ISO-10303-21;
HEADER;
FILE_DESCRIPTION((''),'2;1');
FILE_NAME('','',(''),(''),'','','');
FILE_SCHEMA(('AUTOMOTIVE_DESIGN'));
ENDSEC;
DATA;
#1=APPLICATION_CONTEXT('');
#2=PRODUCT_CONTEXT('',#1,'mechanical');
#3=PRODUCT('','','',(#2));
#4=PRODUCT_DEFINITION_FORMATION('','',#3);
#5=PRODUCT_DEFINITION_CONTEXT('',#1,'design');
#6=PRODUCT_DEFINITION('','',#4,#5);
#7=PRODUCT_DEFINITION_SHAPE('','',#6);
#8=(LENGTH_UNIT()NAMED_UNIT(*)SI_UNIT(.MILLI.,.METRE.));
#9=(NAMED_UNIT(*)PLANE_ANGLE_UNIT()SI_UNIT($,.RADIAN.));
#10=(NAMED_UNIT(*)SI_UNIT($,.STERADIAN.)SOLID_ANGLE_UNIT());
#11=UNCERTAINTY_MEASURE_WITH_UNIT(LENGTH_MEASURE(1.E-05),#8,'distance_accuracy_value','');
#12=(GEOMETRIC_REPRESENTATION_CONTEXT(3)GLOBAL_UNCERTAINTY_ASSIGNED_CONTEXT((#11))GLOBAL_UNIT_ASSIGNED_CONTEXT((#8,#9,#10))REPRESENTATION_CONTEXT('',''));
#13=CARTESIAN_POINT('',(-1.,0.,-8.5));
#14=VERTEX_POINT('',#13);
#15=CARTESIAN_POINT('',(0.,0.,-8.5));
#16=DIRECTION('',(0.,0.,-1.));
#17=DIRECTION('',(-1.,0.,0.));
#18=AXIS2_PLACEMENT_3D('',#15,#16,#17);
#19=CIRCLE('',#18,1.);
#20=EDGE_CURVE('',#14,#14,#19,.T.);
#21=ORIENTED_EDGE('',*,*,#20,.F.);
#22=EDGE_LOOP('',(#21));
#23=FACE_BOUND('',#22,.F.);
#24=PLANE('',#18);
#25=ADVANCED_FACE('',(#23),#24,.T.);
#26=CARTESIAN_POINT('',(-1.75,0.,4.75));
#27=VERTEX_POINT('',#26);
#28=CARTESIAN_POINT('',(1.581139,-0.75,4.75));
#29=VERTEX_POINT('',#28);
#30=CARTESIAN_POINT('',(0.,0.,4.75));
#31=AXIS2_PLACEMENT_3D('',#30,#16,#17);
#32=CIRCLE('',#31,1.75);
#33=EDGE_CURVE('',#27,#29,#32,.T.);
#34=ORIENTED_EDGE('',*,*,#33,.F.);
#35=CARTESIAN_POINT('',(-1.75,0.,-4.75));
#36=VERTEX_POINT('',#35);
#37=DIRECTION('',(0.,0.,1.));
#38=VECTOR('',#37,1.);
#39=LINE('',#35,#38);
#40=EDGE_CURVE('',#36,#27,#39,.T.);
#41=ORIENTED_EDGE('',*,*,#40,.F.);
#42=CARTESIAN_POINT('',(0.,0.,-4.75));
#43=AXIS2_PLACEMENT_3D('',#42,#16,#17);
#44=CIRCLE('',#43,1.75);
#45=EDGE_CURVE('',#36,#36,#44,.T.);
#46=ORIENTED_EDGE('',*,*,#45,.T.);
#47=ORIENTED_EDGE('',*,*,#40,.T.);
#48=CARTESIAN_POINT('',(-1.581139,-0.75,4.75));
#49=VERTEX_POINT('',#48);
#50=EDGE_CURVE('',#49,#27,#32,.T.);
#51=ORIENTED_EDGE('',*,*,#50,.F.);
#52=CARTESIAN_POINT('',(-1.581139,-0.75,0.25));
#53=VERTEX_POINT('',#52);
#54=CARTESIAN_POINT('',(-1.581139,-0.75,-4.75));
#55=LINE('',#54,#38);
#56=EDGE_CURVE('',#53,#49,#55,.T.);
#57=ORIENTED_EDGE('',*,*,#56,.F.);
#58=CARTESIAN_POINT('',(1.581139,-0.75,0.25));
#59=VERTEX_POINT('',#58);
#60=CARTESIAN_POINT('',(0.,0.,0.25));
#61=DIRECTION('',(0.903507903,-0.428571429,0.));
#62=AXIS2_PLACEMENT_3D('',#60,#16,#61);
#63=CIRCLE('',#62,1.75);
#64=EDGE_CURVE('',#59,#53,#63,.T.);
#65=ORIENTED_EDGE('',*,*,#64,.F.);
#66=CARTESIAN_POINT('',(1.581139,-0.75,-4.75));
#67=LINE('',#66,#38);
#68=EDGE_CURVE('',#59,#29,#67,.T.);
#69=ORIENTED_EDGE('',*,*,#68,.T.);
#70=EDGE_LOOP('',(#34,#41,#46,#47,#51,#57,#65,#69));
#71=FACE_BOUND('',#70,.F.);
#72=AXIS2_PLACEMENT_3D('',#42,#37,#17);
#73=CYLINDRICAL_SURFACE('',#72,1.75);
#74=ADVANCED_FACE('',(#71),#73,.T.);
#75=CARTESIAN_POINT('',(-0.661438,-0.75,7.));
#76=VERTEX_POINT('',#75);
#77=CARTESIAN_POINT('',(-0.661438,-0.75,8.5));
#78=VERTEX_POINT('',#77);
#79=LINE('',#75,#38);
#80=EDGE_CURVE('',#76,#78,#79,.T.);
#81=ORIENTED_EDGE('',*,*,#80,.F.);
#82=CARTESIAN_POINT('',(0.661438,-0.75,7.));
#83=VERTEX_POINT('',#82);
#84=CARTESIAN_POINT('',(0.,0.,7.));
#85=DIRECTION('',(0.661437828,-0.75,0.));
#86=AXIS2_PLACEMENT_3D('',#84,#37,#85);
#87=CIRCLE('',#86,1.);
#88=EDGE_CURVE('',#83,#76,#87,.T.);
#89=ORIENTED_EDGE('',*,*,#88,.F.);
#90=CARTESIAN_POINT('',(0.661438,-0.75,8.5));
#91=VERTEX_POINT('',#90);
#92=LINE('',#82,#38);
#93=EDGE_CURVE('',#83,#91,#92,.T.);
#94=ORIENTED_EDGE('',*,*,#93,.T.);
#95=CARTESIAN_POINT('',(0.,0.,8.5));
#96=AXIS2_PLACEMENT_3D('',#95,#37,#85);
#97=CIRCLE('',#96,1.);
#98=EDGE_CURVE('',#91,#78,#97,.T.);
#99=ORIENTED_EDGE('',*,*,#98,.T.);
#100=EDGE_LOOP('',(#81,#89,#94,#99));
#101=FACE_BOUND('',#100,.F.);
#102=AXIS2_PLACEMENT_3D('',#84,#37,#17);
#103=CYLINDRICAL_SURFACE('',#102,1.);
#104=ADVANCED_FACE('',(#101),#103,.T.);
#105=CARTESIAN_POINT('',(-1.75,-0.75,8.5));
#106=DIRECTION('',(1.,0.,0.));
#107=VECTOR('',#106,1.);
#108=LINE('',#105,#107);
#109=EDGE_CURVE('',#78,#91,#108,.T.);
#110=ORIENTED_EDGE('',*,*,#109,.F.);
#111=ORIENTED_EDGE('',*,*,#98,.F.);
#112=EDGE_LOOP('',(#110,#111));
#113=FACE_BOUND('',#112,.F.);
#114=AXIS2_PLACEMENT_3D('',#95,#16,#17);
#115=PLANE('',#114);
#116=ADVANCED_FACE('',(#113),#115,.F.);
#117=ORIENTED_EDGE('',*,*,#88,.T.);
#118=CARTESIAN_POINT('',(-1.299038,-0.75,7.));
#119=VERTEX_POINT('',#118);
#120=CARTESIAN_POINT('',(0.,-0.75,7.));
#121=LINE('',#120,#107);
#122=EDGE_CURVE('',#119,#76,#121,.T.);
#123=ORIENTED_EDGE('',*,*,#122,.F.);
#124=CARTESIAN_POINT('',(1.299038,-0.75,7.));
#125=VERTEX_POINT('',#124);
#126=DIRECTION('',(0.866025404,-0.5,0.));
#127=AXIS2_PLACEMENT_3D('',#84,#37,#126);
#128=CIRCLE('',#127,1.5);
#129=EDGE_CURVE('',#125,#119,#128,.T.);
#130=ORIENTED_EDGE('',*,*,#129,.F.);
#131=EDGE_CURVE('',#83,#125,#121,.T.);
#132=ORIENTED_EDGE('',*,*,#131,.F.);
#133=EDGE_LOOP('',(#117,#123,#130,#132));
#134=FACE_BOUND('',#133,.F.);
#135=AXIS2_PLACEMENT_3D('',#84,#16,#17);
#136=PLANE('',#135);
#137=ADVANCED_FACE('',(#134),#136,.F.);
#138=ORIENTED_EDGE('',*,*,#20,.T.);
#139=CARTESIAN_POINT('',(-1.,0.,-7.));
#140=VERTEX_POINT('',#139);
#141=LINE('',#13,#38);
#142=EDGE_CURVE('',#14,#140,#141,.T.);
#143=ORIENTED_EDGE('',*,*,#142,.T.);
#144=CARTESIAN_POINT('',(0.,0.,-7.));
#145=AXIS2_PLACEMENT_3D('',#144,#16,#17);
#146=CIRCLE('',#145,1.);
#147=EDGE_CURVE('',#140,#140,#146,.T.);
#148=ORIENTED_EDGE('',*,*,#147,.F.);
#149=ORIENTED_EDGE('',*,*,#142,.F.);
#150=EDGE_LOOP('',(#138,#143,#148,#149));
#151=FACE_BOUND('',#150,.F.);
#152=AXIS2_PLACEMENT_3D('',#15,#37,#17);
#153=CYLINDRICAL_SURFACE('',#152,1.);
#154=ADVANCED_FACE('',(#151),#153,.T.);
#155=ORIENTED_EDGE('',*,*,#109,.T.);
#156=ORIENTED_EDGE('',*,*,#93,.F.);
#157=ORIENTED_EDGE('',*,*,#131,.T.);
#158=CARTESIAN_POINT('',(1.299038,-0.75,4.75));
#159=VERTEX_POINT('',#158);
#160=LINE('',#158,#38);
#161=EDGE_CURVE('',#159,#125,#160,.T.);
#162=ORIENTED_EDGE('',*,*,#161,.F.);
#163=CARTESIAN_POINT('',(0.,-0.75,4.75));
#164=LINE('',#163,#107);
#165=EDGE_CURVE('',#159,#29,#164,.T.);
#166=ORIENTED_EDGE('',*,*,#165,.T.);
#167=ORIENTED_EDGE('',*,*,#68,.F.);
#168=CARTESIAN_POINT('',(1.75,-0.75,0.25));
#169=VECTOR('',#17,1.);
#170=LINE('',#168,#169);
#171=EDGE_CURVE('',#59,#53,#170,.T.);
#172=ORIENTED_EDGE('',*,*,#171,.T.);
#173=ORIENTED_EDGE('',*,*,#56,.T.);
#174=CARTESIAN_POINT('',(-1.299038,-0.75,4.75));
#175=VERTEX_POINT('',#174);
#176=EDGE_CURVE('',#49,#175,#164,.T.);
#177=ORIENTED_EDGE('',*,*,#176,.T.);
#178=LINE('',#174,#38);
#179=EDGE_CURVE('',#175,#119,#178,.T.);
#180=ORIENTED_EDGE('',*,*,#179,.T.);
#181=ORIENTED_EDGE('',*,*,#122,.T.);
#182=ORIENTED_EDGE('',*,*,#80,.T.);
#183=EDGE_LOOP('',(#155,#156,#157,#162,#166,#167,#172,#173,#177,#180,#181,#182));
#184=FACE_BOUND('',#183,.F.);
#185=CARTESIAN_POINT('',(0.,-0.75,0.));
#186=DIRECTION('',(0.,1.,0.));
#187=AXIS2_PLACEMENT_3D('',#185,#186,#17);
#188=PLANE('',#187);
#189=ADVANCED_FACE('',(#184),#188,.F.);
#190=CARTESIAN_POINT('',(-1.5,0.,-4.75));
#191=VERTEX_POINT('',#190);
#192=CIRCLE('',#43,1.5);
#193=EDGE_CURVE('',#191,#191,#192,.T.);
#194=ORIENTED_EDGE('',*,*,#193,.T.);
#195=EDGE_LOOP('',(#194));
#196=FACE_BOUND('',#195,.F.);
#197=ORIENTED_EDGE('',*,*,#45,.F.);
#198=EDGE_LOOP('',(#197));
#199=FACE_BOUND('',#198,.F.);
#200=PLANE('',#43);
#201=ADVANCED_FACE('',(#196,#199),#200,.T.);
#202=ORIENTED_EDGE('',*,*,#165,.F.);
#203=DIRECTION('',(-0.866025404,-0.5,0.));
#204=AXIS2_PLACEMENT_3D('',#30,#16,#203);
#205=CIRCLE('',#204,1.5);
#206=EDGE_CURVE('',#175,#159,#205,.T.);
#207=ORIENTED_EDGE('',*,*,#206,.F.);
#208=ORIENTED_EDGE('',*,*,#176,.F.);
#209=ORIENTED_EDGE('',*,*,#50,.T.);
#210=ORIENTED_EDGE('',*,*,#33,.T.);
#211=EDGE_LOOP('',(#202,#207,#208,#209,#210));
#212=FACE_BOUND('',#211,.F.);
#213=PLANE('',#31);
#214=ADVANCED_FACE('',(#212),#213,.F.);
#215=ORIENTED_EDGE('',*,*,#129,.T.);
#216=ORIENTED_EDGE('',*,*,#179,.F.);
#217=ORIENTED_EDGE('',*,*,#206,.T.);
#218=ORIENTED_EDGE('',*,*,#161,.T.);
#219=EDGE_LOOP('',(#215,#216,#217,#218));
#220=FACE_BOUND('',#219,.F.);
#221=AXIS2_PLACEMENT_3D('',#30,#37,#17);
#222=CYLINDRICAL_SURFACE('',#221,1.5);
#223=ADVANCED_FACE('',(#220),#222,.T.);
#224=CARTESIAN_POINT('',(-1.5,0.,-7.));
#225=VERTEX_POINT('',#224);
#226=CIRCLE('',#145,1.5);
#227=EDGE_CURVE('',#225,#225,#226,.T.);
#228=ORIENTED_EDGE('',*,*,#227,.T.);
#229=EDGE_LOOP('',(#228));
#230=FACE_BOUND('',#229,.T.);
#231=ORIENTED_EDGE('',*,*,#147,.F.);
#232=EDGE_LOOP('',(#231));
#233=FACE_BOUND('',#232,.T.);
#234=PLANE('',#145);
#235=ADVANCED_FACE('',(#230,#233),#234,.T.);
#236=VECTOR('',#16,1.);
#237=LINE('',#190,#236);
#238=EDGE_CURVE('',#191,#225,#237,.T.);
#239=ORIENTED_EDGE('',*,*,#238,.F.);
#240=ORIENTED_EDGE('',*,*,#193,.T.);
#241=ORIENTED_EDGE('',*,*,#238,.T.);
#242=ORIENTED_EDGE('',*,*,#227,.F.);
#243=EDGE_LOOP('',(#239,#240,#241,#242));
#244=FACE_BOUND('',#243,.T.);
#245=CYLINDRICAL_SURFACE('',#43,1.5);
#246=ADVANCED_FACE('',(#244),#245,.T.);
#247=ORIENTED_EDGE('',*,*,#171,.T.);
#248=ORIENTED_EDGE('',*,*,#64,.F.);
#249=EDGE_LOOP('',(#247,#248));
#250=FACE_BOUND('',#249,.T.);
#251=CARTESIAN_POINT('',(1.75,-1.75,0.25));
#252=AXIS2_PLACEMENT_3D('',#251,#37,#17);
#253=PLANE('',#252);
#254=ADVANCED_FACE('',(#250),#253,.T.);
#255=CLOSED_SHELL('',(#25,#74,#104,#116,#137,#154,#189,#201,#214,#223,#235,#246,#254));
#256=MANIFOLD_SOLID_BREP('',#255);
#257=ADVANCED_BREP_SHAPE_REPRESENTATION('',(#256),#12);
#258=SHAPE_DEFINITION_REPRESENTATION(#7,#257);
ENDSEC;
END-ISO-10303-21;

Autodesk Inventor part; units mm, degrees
ref_plane "YZ Plane" through (0, 0, 0) normal (1, 0, 0) x (0, 1, 0)
ref_plane "XY Plane" through (0, 0, 0) normal (0, 0, 1) x (1, 0, 0)
sketch "Sketch1" plane through (0, 0, 0) normal (0, 1, 0) x (-1, 0, 0)
  line L0 (0, 18.1135) -> (0, -15.5197) construction
  line L1 (0, 0) -> (5.9379, 0) construction
  line L2 (0, -8.5) -> (1, -8.5)
  line L3 (1, -8.5) -> (1, -7)
  line L4 (1, -7) -> (1.1561, -7)
  line L5 (1.5, -4.75) -> (1.75, -4.75)
  line L6 (1.75, -4.75) -> (1.75, 4.75)
  line L7 (1.75, 4.75) -> (1.5, 4.75)
  line L8 (1.5, 4.75) -> (1.5, 7)
  line L9 (1.5, 7) -> (1, 7)
  line L10 (1, 7) -> (1, 8.5)
  line L11 (1, 8.5) -> (0, 8.5)
  line L12 (0, -8.5) -> (0, 8.5)
  line L13 (1.5, -4.75) -> (1.5, -7)
  line L14 (1.5, -7) -> (1.1561, -7)
  dimension "d7" = 17
  dimension "d9" = 1
  dimension "d10" = 1.5
  dimension "d11" = 14
  dimension "d12" = 1.75
  dimension "d13" = 9.5
revolve "Revolution1" add sketch "Sketch1" angle 360 about axis through (0, 0, 18.1135) along (0, 0, -1)
ref_plane "Work Plane1" through (0, -1.75, 0) normal (0, 1, 0) x (-1, 0, 0)
sketch "Sketch2" plane through (0, -1.75, 0) normal (0, 1, 0) x (-1, 0, 0)
  line L0 (-1.75, -4.75) -> (1.75, -4.75) projected
  line L1 (-1.75, 4.75) -> (1.75, 4.75) projected
  line L2 (-1.75, -4.75) -> (1.75, -4.75) projected
  line L3 (-1.75, 4.75) -> (-1.75, -4.75) projected
  line L4 (1.75, 4.75) -> (1.75, -4.75) projected
  line L5 (-1.75, 0.25) -> (1.75, 0.25)
  line L6 (1.75, 0.25) -> (1.75, 8.5)
  line L7 (-1.75, 8.5) -> (-1.75, 0.25)
  line L8 (-1.5, 7) -> (1.5, 7) projected
  line L9 (-1.5, 4.75) -> (1.5, 4.75) projected
  line L10 (-1, 8.5) -> (1, 8.5) projected
  line L11 (-1.75, 8.5) -> (1.75, 8.5)
  dimension "d17" = 4.5
extrude "Extrusion1" cut sketch "Sketch2" along normal blind 1 contours L3 L1 L4 L5 | L7 L11 L10 L6 L1
properties part number "2nd_phalanx_shaft"
